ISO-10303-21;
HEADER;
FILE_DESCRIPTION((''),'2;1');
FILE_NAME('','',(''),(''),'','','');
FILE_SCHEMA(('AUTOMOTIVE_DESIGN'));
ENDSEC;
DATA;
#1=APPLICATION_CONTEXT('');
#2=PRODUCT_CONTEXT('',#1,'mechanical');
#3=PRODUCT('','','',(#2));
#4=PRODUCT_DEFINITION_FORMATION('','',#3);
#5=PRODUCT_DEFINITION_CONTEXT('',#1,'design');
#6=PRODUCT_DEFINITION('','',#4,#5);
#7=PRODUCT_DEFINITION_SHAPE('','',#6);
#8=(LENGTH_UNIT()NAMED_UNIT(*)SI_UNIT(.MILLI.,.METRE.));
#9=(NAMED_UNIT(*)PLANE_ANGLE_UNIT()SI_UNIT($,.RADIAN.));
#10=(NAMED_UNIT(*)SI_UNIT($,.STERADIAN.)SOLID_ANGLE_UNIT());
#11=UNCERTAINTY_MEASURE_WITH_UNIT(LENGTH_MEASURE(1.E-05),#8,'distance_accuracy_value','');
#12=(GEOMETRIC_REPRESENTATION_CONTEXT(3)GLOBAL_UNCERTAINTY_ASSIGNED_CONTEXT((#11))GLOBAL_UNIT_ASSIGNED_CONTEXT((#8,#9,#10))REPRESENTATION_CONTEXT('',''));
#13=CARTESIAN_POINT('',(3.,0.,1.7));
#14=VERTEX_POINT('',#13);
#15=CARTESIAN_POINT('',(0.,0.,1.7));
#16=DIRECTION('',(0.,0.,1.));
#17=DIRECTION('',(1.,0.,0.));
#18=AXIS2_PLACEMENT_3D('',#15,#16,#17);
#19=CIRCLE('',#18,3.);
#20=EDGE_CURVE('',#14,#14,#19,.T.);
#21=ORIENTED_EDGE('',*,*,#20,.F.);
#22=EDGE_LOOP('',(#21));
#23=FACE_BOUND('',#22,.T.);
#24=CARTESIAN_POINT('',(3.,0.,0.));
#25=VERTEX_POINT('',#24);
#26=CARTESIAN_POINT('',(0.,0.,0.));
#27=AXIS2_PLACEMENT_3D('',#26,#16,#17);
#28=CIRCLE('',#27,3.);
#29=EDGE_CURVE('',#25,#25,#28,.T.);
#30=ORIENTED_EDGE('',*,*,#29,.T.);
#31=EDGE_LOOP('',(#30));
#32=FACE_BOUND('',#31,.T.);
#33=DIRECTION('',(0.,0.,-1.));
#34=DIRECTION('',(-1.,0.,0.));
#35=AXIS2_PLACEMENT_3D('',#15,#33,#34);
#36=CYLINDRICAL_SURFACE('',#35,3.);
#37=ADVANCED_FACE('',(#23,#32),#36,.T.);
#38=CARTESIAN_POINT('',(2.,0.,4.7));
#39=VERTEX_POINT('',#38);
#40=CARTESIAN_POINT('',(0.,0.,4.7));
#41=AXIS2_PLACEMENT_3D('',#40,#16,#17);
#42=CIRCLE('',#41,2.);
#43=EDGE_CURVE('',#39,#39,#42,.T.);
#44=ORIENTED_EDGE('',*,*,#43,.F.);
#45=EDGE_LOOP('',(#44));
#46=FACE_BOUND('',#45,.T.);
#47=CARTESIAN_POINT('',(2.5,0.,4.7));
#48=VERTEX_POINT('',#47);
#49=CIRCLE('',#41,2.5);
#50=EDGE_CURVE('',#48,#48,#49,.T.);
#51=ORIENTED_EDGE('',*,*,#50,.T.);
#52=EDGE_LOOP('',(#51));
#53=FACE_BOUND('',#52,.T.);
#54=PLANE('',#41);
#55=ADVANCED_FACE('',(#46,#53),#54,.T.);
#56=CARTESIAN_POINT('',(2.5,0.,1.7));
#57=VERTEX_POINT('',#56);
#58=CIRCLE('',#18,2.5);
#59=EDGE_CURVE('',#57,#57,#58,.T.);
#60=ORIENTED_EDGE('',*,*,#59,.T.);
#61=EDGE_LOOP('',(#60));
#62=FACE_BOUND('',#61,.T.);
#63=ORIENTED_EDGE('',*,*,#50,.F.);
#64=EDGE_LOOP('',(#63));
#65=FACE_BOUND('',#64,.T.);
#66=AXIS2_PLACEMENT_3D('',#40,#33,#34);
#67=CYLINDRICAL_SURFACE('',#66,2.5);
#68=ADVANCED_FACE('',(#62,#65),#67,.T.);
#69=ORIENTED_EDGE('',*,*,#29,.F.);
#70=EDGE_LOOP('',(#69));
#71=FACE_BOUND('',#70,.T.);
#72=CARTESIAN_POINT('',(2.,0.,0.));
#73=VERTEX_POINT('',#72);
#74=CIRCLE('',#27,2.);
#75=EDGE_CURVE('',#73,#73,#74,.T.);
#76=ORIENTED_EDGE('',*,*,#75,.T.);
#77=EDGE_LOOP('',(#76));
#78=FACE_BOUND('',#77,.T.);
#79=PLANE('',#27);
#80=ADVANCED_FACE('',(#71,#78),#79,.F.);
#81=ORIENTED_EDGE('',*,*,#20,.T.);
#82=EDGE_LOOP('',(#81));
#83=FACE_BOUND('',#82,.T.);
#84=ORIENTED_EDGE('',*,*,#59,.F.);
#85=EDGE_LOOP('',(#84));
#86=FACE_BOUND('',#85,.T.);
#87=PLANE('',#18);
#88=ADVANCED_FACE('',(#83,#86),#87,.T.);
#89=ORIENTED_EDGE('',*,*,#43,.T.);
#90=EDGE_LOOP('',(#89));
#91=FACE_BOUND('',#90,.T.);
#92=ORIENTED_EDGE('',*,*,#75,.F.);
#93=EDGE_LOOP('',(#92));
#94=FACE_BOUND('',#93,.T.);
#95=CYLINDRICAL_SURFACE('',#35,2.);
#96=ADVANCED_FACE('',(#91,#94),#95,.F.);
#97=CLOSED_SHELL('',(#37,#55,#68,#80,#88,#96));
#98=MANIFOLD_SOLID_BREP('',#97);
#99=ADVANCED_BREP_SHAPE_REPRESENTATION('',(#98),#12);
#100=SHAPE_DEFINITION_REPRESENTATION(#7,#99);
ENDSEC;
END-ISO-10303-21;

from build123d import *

# Parameters (mm, degrees)
SKETCH1_R           = 3
SKETCH1_R_2         = 2
BOSS_EXTRUDE1_DEPTH = 1.7
SKETCH3_R           = 2.5
SKETCH3_R_2         = 2
BOSS_EXTRUDE2_DEPTH = 3


with BuildPart() as part:
    # Sketch1 → Boss-Extrude1 (new body)
    with BuildSketch(Plane.XY):
        Circle(SKETCH1_R)
        Circle(SKETCH1_R_2, mode=Mode.SUBTRACT)
    extrude(amount=BOSS_EXTRUDE1_DEPTH)

    # Sketch3 → Boss-Extrude2 (add)
    with BuildSketch(Plane.XY.offset(1.7)):
        Circle(SKETCH3_R)
        Circle(SKETCH3_R_2, mode=Mode.SUBTRACT)
    extrude(amount=BOSS_EXTRUDE2_DEPTH)


solid = part.part
